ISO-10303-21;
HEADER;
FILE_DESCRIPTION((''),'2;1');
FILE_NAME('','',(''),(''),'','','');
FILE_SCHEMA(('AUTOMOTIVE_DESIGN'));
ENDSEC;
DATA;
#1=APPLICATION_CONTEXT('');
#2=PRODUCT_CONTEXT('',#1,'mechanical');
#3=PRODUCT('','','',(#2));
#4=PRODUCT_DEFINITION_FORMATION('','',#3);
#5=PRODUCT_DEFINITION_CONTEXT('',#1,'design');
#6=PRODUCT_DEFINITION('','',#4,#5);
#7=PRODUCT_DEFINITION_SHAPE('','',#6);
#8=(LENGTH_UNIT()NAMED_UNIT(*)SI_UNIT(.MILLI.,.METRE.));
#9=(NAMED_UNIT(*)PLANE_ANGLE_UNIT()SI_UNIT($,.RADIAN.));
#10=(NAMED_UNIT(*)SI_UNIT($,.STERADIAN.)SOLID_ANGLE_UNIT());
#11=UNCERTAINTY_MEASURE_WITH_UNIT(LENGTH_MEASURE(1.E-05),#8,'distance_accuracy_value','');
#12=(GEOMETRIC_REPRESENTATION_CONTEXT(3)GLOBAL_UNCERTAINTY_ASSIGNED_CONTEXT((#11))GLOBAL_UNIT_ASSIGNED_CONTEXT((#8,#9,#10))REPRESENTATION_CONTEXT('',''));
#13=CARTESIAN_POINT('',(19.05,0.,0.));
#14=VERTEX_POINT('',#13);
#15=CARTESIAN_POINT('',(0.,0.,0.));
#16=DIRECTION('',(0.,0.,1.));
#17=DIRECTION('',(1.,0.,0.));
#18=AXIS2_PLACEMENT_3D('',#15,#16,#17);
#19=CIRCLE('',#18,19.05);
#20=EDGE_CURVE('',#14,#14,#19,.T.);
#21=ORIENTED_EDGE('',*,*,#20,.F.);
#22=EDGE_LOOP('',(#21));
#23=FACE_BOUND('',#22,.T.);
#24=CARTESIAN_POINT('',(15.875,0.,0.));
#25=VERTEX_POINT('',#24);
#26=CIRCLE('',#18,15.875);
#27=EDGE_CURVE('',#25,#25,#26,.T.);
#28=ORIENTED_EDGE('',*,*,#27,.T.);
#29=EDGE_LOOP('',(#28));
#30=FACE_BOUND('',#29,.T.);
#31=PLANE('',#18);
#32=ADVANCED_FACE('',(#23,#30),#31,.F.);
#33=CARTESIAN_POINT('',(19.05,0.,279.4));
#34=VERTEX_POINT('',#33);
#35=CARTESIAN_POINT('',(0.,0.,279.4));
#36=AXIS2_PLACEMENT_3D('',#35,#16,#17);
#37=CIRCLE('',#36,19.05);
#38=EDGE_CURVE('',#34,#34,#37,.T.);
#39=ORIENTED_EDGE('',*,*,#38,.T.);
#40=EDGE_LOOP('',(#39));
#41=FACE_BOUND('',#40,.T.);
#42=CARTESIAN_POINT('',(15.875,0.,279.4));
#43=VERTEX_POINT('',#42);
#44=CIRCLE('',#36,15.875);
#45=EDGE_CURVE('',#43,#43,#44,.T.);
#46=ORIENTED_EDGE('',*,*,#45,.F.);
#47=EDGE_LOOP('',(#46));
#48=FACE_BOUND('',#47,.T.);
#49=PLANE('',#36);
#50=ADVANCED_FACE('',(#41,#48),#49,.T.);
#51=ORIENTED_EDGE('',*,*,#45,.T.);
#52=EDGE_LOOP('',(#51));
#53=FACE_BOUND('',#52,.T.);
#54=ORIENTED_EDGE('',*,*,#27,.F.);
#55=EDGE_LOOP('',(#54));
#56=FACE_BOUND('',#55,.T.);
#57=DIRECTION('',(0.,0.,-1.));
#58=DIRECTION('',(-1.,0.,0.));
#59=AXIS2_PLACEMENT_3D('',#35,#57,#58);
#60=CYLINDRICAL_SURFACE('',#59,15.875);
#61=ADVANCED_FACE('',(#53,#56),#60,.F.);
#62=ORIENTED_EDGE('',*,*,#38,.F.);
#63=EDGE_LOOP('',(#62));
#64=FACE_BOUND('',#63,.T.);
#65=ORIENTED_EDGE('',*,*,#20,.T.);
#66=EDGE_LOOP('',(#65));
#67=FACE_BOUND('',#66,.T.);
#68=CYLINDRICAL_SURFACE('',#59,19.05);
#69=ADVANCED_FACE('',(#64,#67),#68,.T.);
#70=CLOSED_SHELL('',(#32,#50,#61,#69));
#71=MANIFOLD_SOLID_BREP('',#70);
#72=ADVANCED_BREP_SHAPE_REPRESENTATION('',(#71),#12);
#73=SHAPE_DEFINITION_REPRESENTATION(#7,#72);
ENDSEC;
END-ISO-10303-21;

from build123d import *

# Parameters (mm, degrees)
SKETCH2_R      = 19.05
SKETCH2_R_2    = 15.875
EXTRUDE1_DEPTH = 279.4


with BuildPart() as part:
    # Sketch2 → Extrude1 (new body)
    with BuildSketch(Plane.XY):
        Circle(SKETCH2_R)
        Circle(SKETCH2_R_2, mode=Mode.SUBTRACT)
    extrude(amount=EXTRUDE1_DEPTH)


solid = part.part
